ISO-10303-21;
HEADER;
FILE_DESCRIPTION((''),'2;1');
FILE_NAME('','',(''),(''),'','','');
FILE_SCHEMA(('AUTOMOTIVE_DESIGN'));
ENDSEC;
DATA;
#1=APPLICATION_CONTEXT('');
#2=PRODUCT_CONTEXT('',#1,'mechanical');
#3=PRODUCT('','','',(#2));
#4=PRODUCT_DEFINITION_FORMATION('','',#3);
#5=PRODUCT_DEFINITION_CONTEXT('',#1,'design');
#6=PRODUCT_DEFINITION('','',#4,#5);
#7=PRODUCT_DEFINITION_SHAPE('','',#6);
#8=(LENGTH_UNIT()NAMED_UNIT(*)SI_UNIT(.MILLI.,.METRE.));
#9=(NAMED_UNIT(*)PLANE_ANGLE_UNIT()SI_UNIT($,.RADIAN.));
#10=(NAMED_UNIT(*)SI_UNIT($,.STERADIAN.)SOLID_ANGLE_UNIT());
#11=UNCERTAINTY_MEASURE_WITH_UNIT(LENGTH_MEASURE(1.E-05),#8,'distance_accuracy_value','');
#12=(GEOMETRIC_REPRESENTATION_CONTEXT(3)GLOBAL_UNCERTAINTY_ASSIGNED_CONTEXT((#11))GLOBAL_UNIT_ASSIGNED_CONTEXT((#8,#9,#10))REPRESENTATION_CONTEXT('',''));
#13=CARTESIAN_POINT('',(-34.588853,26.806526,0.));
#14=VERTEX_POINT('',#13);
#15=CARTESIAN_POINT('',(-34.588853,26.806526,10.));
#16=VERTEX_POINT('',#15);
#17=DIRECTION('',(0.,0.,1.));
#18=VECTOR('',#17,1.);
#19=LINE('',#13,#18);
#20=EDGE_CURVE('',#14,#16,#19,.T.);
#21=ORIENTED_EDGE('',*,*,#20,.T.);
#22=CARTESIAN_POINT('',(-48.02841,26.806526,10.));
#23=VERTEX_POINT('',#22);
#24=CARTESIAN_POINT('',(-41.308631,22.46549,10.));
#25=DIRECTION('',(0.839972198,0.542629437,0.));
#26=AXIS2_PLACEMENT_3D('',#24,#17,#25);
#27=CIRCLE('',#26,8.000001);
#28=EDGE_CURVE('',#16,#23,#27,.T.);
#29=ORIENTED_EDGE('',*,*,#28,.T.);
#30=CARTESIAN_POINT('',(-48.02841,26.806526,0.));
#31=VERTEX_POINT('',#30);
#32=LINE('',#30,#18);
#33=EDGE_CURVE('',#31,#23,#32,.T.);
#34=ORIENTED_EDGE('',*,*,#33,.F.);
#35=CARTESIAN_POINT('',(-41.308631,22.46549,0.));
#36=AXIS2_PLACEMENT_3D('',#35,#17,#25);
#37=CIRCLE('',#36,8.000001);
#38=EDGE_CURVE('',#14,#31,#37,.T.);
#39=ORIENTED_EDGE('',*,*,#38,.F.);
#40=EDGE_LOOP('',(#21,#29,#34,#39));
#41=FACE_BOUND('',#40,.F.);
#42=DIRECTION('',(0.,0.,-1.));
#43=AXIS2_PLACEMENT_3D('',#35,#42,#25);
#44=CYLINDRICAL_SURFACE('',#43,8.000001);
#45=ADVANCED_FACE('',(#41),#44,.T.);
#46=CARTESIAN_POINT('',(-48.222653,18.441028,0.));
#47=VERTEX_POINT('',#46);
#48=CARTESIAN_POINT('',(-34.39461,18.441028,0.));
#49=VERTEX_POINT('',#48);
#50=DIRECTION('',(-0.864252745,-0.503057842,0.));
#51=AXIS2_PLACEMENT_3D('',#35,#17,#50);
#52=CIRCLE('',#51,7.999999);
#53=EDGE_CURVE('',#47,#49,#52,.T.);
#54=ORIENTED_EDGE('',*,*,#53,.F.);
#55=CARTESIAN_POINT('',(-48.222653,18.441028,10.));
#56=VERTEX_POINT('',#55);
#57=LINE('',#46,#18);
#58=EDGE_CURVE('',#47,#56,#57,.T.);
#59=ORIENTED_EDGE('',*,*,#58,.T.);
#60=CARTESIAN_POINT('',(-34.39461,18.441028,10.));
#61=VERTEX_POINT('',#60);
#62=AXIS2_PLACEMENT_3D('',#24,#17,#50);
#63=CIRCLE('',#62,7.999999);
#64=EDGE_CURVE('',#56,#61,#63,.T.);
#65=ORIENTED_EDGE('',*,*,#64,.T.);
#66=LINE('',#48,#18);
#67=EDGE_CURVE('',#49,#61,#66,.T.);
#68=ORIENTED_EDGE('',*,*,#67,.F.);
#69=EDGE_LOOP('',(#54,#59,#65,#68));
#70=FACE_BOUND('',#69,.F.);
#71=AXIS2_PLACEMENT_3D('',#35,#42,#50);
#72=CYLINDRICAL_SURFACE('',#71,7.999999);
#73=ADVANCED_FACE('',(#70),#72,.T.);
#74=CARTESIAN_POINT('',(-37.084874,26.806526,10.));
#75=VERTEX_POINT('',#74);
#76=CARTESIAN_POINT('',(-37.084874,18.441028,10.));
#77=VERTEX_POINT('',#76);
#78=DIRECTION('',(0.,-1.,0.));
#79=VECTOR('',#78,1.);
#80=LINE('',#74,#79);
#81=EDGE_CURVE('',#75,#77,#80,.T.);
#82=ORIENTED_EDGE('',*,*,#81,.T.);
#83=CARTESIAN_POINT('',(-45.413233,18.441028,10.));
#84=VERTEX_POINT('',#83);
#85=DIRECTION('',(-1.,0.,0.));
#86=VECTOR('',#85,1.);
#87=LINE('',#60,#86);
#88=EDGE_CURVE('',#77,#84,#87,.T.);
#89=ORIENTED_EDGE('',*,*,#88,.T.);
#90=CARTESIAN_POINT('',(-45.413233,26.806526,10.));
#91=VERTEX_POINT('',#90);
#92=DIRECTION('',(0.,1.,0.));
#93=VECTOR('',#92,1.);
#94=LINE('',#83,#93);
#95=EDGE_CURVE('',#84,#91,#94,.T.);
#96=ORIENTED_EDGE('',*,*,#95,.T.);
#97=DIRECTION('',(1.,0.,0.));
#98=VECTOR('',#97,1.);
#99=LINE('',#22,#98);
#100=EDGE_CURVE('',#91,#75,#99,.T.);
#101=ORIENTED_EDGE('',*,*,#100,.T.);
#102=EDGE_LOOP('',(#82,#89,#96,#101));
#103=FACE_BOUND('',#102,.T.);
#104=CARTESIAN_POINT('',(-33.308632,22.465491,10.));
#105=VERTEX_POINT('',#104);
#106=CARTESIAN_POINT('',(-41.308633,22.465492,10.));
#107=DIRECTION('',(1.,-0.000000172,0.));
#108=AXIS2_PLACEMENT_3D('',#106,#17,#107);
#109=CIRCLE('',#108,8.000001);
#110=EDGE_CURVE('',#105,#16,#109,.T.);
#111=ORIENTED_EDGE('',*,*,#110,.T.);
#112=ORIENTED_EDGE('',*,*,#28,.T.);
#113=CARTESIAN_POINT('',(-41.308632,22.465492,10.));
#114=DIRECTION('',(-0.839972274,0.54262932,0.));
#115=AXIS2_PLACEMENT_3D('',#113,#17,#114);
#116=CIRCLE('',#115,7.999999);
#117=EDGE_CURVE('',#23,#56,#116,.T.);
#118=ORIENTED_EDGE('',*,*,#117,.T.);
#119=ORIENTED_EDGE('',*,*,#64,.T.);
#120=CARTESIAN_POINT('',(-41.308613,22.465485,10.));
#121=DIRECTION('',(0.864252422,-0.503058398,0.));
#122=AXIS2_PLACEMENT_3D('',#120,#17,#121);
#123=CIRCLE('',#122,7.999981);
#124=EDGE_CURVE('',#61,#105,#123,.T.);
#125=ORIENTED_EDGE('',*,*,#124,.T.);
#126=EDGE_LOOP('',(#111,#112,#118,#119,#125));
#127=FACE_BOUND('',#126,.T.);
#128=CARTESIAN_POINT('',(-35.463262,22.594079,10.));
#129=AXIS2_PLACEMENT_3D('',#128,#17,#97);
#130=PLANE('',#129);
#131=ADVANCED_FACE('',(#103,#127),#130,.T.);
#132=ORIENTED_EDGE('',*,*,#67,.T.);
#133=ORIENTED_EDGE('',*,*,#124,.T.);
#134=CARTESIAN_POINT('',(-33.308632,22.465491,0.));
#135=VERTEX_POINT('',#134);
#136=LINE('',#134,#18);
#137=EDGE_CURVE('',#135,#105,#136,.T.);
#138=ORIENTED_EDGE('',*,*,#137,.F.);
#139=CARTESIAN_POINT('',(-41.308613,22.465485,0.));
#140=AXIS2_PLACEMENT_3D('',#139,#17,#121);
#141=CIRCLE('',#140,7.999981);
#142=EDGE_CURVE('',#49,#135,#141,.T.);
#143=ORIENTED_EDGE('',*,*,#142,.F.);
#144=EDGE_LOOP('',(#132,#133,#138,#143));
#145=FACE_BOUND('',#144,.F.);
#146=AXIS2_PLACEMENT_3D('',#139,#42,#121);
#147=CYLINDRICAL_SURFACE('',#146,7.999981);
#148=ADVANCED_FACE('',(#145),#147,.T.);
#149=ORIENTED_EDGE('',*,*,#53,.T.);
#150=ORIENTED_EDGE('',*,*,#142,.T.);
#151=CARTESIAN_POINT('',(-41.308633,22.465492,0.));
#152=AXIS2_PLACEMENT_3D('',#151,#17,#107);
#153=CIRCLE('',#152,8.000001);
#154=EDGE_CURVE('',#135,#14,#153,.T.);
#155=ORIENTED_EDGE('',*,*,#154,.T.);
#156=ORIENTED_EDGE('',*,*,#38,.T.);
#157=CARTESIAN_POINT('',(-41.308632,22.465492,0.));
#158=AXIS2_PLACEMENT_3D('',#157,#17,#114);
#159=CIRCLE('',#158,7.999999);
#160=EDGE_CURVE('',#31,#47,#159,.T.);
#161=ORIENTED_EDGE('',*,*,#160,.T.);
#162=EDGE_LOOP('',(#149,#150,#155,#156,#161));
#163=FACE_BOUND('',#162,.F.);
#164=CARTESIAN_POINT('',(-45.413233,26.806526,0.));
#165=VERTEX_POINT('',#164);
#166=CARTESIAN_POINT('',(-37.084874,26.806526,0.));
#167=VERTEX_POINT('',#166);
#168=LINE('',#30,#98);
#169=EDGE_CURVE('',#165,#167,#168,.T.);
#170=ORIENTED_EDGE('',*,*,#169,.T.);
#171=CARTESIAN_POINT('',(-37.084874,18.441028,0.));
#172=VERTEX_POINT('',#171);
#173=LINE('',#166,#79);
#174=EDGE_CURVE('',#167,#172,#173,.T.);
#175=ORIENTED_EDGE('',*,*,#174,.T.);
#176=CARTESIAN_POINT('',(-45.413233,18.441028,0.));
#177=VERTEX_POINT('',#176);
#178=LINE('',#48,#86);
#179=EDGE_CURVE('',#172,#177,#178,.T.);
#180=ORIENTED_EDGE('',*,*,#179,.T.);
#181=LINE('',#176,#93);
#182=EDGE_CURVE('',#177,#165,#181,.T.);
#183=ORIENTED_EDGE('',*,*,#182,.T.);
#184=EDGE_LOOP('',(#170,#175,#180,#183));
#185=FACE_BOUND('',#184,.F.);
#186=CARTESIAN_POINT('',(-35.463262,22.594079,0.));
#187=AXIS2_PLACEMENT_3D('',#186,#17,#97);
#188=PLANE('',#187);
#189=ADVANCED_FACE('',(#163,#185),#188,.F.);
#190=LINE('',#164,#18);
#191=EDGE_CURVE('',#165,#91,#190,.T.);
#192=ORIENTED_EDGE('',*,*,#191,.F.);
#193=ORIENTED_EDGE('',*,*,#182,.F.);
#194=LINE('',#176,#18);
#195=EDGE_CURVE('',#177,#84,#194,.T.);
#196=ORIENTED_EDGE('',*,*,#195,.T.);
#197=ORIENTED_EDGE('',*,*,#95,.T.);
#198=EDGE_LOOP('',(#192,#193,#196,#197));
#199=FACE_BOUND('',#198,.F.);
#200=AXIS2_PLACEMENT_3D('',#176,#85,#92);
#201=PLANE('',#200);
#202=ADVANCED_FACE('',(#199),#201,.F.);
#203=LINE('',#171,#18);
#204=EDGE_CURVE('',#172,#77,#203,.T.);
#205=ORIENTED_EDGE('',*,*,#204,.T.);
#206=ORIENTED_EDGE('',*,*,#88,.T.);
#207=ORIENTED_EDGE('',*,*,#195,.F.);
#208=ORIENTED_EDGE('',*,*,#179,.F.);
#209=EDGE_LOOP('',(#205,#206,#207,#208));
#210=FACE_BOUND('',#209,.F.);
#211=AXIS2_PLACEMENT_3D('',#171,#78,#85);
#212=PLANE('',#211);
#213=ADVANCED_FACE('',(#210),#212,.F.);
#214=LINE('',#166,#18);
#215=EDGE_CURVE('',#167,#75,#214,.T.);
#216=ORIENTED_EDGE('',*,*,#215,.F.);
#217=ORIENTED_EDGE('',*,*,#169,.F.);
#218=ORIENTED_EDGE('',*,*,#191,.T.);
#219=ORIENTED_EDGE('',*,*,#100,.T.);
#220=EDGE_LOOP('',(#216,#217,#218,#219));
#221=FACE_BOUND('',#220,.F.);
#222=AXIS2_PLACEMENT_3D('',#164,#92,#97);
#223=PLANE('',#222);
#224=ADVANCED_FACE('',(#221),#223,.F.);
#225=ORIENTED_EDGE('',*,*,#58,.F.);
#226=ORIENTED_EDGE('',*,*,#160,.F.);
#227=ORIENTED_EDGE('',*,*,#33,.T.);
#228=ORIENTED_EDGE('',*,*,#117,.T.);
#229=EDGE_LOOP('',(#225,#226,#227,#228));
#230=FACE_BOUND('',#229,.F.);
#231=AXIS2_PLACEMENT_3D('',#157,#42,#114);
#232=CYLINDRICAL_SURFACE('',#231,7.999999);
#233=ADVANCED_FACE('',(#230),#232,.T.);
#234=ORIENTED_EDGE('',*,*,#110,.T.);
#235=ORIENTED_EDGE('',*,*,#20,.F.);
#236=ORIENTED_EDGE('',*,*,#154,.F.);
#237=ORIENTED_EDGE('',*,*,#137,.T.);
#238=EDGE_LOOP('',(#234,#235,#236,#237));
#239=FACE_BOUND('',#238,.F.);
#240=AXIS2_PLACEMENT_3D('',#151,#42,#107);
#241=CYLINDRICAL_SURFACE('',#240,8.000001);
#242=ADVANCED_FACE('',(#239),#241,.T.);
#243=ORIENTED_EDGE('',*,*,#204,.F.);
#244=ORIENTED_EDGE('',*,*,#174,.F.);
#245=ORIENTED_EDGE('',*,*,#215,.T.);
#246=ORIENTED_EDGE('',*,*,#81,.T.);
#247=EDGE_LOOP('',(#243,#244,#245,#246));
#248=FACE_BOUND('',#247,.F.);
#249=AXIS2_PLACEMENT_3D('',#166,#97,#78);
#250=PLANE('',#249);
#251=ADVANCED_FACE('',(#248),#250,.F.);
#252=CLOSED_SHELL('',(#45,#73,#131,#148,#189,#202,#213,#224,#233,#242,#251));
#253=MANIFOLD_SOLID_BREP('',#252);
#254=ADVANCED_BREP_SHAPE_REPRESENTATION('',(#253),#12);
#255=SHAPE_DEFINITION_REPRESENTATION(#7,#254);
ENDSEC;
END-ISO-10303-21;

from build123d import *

# Parameters (mm, degrees)
F1_DEPTH = 10


with BuildPart() as f1:
    # F0 (on Top) → F1 (new body)
    with BuildSketch(Plane.XY):
        with BuildLine():
            ThreePointArc((-34.39461, 18.441028), (-33.584896, 20.381285), (-33.308632, 22.465491))
            ThreePointArc((-33.308632, 22.465491), (-33.635359, 24.728429), (-34.588853, 26.806526))
            Line((-34.588853, 26.806526), (-37.084874, 26.806526))
            Line((-37.084874, 26.806526), (-37.084874, 18.441028))
            Line((-37.084874, 18.441028), (-34.39461, 18.441028))
        make_face()
        with BuildLine():
            Line((-37.084874, 26.806526), (-34.588853, 26.806526))
            ThreePointArc((-34.588853, 26.806526), (-41.308632, 30.465491), (-48.02841, 26.806526))
            Line((-48.02841, 26.806526), (-45.413233, 26.806526))
            Line((-45.413233, 26.806526), (-37.084874, 26.806526))
        make_face()
        with BuildLine():
            ThreePointArc((-48.222653, 18.441028), (-41.308632, 14.465491), (-34.39461, 18.441028))
            Line((-34.39461, 18.441028), (-37.084874, 18.441028))
            Line((-37.084874, 18.441028), (-45.413233, 18.441028))
            Line((-45.413233, 18.441028), (-48.222653, 18.441028))
        make_face()
        with BuildLine():
            Line((-45.413233, 26.806526), (-48.02841, 26.806526))
            ThreePointArc((-48.02841, 26.806526), (-49.306476, 22.651198), (-48.222653, 18.441028))
            Line((-48.222653, 18.441028), (-45.413233, 18.441028))
            Line((-45.413233, 18.441028), (-45.413233, 26.806526))
        make_face()
    extrude(amount=F1_DEPTH)


solid = f1.part
